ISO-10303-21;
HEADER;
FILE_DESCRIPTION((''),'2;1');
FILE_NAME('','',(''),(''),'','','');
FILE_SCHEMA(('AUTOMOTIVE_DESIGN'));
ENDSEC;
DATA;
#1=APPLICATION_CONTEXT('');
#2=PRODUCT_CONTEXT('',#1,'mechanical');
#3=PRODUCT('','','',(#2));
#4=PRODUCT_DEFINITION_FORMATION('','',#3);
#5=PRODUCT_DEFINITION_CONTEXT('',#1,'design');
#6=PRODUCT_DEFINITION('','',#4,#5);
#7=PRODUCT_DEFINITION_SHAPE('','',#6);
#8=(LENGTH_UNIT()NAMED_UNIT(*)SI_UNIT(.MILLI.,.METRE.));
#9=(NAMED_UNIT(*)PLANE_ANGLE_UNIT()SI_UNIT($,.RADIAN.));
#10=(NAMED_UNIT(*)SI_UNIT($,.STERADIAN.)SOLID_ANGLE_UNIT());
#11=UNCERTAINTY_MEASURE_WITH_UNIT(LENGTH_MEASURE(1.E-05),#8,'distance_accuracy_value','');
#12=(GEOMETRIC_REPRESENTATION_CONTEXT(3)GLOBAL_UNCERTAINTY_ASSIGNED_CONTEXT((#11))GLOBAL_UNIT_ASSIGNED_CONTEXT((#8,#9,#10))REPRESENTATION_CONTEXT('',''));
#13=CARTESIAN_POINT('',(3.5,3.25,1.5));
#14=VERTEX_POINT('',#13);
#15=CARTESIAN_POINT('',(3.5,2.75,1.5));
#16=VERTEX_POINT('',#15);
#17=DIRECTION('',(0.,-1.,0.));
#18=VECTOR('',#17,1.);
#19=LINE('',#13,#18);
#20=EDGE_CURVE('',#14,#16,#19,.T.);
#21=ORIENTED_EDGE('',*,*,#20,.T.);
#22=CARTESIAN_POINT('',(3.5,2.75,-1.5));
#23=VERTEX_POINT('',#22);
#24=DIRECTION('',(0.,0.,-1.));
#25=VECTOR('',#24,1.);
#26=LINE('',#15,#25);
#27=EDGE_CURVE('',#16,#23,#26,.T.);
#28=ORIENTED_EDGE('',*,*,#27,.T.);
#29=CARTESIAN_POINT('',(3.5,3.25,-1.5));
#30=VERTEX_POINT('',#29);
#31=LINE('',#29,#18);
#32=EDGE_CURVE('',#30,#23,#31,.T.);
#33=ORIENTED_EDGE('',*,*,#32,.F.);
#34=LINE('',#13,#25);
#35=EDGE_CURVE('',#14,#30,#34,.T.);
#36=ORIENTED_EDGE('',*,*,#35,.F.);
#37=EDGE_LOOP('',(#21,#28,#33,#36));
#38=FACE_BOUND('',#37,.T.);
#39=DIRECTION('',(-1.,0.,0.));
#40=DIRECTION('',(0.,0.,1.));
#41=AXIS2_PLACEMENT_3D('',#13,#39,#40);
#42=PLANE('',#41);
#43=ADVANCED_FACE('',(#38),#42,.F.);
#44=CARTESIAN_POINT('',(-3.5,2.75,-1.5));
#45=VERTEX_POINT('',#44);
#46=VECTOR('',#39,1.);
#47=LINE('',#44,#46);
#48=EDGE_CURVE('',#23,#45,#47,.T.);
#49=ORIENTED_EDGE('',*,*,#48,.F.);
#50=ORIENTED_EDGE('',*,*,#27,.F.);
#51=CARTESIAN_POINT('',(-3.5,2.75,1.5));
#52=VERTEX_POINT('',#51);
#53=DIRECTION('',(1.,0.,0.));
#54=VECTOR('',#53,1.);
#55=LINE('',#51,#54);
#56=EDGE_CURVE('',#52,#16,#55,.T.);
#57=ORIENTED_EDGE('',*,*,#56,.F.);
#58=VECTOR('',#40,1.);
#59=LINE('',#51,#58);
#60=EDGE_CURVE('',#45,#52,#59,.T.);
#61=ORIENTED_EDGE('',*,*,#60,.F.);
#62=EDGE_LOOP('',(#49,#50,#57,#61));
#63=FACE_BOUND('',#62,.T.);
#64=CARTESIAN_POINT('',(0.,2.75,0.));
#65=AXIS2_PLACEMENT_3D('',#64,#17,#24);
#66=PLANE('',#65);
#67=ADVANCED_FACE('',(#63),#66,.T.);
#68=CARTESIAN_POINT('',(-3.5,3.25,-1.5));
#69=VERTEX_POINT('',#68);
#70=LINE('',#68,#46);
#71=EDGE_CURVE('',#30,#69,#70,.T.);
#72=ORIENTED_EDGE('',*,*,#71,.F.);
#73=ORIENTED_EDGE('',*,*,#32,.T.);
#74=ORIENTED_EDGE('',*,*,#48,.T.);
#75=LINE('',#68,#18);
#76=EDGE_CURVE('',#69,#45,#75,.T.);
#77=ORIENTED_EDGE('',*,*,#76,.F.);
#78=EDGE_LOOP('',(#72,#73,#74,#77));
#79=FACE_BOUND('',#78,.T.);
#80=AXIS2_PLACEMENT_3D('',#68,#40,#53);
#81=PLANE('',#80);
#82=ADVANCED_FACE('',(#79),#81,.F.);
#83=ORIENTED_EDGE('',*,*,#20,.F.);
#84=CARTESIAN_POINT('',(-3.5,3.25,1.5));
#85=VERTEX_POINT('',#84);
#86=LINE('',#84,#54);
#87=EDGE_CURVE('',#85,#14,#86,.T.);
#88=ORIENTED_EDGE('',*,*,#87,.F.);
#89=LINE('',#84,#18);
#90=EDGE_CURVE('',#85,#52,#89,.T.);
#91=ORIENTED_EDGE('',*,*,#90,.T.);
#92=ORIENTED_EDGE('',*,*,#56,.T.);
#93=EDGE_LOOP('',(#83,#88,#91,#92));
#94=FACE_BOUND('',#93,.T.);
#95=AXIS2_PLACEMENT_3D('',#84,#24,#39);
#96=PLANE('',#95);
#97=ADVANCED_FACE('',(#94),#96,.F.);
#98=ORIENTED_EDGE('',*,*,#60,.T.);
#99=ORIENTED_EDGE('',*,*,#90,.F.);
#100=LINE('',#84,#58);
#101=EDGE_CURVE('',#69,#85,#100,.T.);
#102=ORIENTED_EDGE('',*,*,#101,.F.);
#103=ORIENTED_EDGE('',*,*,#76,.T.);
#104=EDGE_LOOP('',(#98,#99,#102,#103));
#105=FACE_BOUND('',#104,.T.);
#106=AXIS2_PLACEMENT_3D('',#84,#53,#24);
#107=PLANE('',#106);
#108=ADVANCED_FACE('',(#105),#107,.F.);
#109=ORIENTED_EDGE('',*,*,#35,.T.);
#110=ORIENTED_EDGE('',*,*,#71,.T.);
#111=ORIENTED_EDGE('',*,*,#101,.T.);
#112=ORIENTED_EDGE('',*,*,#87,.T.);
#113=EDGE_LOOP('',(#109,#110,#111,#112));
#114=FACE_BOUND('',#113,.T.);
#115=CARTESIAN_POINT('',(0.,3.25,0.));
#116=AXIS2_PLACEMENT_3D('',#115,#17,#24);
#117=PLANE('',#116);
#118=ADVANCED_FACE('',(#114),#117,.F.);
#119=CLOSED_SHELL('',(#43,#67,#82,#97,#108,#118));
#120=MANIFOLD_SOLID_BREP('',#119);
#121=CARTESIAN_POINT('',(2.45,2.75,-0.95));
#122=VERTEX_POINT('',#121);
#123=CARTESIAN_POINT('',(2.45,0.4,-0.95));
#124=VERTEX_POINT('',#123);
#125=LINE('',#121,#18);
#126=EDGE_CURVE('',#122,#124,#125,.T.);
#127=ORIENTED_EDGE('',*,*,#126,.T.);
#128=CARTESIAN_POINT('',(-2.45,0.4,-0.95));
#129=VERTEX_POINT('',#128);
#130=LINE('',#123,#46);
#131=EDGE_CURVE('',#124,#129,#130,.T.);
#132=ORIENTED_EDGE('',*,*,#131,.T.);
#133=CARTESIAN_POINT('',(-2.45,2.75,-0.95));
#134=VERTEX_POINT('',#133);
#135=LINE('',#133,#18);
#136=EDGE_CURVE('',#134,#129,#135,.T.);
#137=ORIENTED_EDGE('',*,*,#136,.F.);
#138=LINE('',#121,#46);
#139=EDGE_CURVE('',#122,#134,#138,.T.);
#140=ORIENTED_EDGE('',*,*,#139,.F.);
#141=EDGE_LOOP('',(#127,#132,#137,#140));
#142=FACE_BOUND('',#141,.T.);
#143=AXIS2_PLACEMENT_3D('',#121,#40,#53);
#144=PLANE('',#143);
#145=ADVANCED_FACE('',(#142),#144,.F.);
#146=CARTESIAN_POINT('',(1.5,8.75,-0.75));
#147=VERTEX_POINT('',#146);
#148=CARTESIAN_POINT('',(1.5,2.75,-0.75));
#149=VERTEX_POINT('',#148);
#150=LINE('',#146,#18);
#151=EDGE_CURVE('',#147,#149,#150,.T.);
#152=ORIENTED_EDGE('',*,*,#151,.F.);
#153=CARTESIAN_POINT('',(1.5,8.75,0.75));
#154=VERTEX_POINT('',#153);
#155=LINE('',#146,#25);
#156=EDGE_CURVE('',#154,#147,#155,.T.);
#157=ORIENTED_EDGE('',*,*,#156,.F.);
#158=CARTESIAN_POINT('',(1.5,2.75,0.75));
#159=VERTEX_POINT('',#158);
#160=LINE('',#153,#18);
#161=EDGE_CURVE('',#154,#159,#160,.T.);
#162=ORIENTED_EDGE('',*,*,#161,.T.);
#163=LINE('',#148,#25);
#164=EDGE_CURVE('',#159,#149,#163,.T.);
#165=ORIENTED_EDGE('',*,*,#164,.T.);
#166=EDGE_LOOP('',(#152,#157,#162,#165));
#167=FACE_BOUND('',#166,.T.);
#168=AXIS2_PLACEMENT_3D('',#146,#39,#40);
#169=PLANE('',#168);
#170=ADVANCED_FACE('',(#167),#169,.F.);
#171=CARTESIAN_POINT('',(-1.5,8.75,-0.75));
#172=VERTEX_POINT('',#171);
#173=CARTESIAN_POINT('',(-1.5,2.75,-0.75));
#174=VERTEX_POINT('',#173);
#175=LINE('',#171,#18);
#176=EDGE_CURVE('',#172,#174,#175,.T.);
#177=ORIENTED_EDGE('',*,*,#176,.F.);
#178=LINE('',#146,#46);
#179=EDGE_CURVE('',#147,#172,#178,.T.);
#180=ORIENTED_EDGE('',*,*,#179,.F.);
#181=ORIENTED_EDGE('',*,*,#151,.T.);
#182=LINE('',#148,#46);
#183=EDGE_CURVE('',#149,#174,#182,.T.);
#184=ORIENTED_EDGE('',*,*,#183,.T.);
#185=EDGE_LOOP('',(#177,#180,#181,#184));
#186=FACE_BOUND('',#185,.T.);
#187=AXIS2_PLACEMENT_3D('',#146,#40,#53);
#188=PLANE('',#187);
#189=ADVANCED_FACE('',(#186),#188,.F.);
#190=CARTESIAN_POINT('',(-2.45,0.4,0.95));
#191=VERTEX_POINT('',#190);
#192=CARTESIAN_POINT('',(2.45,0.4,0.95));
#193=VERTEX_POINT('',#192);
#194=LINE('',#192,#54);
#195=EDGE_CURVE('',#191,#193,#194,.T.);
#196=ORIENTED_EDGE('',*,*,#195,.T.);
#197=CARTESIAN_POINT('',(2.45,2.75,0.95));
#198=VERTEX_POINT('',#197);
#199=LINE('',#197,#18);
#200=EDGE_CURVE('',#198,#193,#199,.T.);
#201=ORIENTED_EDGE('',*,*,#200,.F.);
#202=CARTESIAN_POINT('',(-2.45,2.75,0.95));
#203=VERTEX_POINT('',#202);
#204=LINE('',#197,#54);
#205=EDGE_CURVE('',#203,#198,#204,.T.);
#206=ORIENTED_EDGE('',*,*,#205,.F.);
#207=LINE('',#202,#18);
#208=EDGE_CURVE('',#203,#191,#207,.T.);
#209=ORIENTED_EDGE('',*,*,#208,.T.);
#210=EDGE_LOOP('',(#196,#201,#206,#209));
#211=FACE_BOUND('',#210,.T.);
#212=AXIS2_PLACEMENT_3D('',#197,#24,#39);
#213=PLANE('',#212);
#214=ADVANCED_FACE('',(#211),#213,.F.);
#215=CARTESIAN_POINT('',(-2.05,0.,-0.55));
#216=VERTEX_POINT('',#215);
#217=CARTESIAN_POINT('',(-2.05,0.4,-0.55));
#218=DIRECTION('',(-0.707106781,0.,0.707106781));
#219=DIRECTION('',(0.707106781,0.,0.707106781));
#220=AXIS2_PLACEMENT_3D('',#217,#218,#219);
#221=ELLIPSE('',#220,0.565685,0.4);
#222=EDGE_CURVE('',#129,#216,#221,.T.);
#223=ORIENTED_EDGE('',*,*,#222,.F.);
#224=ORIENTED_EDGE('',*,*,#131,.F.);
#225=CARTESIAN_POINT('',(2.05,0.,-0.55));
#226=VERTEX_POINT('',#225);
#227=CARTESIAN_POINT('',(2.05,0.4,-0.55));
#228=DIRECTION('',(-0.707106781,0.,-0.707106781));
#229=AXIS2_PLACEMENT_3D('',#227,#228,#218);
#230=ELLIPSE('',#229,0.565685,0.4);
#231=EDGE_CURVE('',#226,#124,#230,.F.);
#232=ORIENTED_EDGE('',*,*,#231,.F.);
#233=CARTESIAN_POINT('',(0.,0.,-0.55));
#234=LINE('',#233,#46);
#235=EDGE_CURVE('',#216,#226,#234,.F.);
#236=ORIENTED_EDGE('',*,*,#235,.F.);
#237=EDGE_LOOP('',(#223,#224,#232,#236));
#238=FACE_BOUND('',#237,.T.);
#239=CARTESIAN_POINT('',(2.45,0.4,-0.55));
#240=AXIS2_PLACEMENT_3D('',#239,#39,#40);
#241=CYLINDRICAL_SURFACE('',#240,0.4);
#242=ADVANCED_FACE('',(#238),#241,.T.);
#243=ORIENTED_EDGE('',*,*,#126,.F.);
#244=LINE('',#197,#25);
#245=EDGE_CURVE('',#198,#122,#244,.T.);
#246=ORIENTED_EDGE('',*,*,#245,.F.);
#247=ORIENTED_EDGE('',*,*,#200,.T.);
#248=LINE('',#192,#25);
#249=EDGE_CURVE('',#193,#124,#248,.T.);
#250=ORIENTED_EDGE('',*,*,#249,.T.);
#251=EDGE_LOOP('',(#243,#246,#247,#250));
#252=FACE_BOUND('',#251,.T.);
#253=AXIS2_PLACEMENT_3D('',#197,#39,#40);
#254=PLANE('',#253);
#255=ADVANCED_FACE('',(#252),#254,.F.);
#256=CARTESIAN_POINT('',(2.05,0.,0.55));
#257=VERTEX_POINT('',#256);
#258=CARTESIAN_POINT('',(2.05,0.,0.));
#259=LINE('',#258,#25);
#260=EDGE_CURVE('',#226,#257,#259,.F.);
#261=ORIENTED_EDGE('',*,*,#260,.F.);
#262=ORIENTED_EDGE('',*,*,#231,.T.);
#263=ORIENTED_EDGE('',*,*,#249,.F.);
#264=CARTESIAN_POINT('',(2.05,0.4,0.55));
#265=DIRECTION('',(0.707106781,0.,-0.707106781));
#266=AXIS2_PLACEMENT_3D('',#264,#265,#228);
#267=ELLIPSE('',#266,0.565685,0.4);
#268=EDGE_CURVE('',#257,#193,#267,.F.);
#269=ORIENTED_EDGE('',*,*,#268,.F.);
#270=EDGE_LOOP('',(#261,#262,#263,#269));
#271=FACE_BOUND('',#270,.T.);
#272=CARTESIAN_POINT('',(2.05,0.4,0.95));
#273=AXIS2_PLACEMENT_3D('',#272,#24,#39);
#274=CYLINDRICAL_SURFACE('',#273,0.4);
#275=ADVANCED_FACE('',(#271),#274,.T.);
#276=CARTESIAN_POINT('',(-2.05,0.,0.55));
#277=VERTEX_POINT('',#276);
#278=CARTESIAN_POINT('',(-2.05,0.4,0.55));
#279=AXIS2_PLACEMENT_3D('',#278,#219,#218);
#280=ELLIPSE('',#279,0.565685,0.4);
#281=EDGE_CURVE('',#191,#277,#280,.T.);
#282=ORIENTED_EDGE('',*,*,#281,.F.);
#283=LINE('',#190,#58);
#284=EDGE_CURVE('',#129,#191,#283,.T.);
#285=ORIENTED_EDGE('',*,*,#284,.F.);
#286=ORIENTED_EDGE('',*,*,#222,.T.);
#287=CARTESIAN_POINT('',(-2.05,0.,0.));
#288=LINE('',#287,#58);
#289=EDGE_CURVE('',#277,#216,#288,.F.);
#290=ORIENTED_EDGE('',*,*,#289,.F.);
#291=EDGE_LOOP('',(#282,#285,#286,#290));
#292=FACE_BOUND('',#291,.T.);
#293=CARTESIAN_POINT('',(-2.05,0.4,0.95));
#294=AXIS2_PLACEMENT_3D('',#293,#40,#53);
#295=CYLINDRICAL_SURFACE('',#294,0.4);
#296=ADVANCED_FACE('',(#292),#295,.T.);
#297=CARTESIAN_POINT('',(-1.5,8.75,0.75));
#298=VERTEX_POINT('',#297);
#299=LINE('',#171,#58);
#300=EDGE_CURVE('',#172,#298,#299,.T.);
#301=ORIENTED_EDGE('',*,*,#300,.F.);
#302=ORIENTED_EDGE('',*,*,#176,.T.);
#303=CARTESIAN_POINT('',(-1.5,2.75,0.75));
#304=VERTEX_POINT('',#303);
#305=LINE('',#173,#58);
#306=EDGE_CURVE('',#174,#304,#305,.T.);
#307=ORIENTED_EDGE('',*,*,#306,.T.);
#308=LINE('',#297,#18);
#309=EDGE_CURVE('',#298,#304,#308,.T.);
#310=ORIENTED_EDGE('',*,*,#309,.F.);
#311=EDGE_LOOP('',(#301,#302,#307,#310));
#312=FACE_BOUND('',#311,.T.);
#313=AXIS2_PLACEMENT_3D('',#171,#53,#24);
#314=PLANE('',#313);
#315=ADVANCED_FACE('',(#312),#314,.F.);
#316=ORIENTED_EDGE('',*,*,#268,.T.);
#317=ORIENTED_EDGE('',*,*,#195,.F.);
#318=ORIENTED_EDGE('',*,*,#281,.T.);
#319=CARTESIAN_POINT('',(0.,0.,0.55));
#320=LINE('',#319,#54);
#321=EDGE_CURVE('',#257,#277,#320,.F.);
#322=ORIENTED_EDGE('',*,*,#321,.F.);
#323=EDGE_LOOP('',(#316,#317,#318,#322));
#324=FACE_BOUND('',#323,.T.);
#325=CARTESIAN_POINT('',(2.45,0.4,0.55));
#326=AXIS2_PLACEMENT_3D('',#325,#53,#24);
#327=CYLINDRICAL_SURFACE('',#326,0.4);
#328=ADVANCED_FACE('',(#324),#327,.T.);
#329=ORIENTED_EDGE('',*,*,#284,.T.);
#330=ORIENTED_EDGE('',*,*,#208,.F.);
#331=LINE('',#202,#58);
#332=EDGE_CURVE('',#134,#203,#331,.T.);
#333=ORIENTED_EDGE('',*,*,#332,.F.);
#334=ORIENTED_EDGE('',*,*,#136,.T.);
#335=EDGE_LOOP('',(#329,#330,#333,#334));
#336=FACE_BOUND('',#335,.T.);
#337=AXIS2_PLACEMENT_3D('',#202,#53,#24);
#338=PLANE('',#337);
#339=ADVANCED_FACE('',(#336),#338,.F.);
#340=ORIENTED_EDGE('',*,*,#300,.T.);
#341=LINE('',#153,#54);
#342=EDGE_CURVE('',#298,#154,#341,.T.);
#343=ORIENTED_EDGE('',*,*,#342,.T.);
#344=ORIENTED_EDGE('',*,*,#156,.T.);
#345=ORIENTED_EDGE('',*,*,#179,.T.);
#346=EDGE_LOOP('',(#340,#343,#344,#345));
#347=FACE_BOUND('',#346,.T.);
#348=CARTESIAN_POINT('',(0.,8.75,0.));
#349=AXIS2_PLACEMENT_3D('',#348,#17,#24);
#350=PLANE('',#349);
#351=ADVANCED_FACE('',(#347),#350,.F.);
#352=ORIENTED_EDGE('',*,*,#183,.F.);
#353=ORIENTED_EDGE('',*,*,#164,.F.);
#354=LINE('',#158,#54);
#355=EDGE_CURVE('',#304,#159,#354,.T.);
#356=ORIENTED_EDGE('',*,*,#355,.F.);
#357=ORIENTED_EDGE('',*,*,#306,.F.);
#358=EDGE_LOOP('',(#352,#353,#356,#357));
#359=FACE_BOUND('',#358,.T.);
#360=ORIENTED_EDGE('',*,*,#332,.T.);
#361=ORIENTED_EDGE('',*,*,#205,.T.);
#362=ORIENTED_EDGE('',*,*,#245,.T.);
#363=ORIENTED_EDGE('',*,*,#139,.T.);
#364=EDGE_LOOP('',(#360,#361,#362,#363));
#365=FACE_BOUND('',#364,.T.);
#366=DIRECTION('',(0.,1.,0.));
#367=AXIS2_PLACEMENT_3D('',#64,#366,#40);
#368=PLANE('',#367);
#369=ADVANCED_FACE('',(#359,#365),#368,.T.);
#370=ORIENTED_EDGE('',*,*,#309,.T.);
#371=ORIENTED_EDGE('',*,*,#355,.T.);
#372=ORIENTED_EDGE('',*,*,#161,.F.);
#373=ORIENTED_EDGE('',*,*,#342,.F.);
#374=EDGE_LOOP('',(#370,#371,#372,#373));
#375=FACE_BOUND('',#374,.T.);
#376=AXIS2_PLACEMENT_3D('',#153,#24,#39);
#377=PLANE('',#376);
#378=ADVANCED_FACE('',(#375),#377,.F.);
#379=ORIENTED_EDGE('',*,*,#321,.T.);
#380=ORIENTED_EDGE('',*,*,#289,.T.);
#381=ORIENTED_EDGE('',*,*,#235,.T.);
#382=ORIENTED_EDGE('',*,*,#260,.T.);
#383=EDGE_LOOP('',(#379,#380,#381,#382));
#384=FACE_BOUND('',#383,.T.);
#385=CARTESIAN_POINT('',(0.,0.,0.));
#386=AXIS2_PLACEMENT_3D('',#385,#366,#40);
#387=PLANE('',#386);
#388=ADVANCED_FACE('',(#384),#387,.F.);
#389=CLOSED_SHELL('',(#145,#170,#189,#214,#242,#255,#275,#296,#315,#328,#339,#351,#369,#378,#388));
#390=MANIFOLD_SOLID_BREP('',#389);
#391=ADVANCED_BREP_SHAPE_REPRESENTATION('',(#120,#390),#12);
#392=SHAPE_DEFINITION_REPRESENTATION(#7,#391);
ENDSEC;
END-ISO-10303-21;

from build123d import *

# Parameters (mm, degrees)
SKETCH1_W           = 4.9
SKETCH1_H           = 1.9
BOSS_EXTRUDE1_DEPTH = 2.75
SKETCH2_W           = 3
SKETCH2_H           = 1.5
BOSS_EXTRUDE2_DEPTH = 6
FILLET2_R           = 0.4
SKETCH3_W           = 7
SKETCH3_H           = 3
BOSS_EXTRUDE3_DEPTH = 0.5


with BuildPart() as part:
    # Sketch1 → Boss-Extrude1 (new body)
    with BuildSketch(Plane(origin=(0, 0, 0), x_dir=(1, 0, 0), z_dir=(0, 1, 0))):
        Rectangle(SKETCH1_W, SKETCH1_H)
    extrude(amount=BOSS_EXTRUDE1_DEPTH)

    # Sketch2 → Boss-Extrude2 (add)
    with BuildSketch(Plane(origin=(0, 2.75, 0), x_dir=(1, 0, 0), z_dir=(0, 1, 0))):
        Rectangle(SKETCH2_W, SKETCH2_H)
    extrude(amount=BOSS_EXTRUDE2_DEPTH)

    # Fillet2
    fillet2_edges = [part.edges().sort_by_distance(p)[0] for p in [
        (0, 0, -0.95),
        (2.45, 0, 0),
        (0, 0, 0.95),
        (-2.45, 0, 0),
    ]]
    fillet(fillet2_edges, radius=FILLET2_R)


with BuildPart() as body_2:
    # Sketch3 → Boss-Extrude3 (new body)
    with BuildSketch(Plane(origin=(0, 2.75, 0), x_dir=(1, 0, 0), z_dir=(0, 1, 0))):
        Rectangle(SKETCH3_W, SKETCH3_H)
    extrude(amount=BOSS_EXTRUDE3_DEPTH)


solid = Compound([part.part, body_2.part])
